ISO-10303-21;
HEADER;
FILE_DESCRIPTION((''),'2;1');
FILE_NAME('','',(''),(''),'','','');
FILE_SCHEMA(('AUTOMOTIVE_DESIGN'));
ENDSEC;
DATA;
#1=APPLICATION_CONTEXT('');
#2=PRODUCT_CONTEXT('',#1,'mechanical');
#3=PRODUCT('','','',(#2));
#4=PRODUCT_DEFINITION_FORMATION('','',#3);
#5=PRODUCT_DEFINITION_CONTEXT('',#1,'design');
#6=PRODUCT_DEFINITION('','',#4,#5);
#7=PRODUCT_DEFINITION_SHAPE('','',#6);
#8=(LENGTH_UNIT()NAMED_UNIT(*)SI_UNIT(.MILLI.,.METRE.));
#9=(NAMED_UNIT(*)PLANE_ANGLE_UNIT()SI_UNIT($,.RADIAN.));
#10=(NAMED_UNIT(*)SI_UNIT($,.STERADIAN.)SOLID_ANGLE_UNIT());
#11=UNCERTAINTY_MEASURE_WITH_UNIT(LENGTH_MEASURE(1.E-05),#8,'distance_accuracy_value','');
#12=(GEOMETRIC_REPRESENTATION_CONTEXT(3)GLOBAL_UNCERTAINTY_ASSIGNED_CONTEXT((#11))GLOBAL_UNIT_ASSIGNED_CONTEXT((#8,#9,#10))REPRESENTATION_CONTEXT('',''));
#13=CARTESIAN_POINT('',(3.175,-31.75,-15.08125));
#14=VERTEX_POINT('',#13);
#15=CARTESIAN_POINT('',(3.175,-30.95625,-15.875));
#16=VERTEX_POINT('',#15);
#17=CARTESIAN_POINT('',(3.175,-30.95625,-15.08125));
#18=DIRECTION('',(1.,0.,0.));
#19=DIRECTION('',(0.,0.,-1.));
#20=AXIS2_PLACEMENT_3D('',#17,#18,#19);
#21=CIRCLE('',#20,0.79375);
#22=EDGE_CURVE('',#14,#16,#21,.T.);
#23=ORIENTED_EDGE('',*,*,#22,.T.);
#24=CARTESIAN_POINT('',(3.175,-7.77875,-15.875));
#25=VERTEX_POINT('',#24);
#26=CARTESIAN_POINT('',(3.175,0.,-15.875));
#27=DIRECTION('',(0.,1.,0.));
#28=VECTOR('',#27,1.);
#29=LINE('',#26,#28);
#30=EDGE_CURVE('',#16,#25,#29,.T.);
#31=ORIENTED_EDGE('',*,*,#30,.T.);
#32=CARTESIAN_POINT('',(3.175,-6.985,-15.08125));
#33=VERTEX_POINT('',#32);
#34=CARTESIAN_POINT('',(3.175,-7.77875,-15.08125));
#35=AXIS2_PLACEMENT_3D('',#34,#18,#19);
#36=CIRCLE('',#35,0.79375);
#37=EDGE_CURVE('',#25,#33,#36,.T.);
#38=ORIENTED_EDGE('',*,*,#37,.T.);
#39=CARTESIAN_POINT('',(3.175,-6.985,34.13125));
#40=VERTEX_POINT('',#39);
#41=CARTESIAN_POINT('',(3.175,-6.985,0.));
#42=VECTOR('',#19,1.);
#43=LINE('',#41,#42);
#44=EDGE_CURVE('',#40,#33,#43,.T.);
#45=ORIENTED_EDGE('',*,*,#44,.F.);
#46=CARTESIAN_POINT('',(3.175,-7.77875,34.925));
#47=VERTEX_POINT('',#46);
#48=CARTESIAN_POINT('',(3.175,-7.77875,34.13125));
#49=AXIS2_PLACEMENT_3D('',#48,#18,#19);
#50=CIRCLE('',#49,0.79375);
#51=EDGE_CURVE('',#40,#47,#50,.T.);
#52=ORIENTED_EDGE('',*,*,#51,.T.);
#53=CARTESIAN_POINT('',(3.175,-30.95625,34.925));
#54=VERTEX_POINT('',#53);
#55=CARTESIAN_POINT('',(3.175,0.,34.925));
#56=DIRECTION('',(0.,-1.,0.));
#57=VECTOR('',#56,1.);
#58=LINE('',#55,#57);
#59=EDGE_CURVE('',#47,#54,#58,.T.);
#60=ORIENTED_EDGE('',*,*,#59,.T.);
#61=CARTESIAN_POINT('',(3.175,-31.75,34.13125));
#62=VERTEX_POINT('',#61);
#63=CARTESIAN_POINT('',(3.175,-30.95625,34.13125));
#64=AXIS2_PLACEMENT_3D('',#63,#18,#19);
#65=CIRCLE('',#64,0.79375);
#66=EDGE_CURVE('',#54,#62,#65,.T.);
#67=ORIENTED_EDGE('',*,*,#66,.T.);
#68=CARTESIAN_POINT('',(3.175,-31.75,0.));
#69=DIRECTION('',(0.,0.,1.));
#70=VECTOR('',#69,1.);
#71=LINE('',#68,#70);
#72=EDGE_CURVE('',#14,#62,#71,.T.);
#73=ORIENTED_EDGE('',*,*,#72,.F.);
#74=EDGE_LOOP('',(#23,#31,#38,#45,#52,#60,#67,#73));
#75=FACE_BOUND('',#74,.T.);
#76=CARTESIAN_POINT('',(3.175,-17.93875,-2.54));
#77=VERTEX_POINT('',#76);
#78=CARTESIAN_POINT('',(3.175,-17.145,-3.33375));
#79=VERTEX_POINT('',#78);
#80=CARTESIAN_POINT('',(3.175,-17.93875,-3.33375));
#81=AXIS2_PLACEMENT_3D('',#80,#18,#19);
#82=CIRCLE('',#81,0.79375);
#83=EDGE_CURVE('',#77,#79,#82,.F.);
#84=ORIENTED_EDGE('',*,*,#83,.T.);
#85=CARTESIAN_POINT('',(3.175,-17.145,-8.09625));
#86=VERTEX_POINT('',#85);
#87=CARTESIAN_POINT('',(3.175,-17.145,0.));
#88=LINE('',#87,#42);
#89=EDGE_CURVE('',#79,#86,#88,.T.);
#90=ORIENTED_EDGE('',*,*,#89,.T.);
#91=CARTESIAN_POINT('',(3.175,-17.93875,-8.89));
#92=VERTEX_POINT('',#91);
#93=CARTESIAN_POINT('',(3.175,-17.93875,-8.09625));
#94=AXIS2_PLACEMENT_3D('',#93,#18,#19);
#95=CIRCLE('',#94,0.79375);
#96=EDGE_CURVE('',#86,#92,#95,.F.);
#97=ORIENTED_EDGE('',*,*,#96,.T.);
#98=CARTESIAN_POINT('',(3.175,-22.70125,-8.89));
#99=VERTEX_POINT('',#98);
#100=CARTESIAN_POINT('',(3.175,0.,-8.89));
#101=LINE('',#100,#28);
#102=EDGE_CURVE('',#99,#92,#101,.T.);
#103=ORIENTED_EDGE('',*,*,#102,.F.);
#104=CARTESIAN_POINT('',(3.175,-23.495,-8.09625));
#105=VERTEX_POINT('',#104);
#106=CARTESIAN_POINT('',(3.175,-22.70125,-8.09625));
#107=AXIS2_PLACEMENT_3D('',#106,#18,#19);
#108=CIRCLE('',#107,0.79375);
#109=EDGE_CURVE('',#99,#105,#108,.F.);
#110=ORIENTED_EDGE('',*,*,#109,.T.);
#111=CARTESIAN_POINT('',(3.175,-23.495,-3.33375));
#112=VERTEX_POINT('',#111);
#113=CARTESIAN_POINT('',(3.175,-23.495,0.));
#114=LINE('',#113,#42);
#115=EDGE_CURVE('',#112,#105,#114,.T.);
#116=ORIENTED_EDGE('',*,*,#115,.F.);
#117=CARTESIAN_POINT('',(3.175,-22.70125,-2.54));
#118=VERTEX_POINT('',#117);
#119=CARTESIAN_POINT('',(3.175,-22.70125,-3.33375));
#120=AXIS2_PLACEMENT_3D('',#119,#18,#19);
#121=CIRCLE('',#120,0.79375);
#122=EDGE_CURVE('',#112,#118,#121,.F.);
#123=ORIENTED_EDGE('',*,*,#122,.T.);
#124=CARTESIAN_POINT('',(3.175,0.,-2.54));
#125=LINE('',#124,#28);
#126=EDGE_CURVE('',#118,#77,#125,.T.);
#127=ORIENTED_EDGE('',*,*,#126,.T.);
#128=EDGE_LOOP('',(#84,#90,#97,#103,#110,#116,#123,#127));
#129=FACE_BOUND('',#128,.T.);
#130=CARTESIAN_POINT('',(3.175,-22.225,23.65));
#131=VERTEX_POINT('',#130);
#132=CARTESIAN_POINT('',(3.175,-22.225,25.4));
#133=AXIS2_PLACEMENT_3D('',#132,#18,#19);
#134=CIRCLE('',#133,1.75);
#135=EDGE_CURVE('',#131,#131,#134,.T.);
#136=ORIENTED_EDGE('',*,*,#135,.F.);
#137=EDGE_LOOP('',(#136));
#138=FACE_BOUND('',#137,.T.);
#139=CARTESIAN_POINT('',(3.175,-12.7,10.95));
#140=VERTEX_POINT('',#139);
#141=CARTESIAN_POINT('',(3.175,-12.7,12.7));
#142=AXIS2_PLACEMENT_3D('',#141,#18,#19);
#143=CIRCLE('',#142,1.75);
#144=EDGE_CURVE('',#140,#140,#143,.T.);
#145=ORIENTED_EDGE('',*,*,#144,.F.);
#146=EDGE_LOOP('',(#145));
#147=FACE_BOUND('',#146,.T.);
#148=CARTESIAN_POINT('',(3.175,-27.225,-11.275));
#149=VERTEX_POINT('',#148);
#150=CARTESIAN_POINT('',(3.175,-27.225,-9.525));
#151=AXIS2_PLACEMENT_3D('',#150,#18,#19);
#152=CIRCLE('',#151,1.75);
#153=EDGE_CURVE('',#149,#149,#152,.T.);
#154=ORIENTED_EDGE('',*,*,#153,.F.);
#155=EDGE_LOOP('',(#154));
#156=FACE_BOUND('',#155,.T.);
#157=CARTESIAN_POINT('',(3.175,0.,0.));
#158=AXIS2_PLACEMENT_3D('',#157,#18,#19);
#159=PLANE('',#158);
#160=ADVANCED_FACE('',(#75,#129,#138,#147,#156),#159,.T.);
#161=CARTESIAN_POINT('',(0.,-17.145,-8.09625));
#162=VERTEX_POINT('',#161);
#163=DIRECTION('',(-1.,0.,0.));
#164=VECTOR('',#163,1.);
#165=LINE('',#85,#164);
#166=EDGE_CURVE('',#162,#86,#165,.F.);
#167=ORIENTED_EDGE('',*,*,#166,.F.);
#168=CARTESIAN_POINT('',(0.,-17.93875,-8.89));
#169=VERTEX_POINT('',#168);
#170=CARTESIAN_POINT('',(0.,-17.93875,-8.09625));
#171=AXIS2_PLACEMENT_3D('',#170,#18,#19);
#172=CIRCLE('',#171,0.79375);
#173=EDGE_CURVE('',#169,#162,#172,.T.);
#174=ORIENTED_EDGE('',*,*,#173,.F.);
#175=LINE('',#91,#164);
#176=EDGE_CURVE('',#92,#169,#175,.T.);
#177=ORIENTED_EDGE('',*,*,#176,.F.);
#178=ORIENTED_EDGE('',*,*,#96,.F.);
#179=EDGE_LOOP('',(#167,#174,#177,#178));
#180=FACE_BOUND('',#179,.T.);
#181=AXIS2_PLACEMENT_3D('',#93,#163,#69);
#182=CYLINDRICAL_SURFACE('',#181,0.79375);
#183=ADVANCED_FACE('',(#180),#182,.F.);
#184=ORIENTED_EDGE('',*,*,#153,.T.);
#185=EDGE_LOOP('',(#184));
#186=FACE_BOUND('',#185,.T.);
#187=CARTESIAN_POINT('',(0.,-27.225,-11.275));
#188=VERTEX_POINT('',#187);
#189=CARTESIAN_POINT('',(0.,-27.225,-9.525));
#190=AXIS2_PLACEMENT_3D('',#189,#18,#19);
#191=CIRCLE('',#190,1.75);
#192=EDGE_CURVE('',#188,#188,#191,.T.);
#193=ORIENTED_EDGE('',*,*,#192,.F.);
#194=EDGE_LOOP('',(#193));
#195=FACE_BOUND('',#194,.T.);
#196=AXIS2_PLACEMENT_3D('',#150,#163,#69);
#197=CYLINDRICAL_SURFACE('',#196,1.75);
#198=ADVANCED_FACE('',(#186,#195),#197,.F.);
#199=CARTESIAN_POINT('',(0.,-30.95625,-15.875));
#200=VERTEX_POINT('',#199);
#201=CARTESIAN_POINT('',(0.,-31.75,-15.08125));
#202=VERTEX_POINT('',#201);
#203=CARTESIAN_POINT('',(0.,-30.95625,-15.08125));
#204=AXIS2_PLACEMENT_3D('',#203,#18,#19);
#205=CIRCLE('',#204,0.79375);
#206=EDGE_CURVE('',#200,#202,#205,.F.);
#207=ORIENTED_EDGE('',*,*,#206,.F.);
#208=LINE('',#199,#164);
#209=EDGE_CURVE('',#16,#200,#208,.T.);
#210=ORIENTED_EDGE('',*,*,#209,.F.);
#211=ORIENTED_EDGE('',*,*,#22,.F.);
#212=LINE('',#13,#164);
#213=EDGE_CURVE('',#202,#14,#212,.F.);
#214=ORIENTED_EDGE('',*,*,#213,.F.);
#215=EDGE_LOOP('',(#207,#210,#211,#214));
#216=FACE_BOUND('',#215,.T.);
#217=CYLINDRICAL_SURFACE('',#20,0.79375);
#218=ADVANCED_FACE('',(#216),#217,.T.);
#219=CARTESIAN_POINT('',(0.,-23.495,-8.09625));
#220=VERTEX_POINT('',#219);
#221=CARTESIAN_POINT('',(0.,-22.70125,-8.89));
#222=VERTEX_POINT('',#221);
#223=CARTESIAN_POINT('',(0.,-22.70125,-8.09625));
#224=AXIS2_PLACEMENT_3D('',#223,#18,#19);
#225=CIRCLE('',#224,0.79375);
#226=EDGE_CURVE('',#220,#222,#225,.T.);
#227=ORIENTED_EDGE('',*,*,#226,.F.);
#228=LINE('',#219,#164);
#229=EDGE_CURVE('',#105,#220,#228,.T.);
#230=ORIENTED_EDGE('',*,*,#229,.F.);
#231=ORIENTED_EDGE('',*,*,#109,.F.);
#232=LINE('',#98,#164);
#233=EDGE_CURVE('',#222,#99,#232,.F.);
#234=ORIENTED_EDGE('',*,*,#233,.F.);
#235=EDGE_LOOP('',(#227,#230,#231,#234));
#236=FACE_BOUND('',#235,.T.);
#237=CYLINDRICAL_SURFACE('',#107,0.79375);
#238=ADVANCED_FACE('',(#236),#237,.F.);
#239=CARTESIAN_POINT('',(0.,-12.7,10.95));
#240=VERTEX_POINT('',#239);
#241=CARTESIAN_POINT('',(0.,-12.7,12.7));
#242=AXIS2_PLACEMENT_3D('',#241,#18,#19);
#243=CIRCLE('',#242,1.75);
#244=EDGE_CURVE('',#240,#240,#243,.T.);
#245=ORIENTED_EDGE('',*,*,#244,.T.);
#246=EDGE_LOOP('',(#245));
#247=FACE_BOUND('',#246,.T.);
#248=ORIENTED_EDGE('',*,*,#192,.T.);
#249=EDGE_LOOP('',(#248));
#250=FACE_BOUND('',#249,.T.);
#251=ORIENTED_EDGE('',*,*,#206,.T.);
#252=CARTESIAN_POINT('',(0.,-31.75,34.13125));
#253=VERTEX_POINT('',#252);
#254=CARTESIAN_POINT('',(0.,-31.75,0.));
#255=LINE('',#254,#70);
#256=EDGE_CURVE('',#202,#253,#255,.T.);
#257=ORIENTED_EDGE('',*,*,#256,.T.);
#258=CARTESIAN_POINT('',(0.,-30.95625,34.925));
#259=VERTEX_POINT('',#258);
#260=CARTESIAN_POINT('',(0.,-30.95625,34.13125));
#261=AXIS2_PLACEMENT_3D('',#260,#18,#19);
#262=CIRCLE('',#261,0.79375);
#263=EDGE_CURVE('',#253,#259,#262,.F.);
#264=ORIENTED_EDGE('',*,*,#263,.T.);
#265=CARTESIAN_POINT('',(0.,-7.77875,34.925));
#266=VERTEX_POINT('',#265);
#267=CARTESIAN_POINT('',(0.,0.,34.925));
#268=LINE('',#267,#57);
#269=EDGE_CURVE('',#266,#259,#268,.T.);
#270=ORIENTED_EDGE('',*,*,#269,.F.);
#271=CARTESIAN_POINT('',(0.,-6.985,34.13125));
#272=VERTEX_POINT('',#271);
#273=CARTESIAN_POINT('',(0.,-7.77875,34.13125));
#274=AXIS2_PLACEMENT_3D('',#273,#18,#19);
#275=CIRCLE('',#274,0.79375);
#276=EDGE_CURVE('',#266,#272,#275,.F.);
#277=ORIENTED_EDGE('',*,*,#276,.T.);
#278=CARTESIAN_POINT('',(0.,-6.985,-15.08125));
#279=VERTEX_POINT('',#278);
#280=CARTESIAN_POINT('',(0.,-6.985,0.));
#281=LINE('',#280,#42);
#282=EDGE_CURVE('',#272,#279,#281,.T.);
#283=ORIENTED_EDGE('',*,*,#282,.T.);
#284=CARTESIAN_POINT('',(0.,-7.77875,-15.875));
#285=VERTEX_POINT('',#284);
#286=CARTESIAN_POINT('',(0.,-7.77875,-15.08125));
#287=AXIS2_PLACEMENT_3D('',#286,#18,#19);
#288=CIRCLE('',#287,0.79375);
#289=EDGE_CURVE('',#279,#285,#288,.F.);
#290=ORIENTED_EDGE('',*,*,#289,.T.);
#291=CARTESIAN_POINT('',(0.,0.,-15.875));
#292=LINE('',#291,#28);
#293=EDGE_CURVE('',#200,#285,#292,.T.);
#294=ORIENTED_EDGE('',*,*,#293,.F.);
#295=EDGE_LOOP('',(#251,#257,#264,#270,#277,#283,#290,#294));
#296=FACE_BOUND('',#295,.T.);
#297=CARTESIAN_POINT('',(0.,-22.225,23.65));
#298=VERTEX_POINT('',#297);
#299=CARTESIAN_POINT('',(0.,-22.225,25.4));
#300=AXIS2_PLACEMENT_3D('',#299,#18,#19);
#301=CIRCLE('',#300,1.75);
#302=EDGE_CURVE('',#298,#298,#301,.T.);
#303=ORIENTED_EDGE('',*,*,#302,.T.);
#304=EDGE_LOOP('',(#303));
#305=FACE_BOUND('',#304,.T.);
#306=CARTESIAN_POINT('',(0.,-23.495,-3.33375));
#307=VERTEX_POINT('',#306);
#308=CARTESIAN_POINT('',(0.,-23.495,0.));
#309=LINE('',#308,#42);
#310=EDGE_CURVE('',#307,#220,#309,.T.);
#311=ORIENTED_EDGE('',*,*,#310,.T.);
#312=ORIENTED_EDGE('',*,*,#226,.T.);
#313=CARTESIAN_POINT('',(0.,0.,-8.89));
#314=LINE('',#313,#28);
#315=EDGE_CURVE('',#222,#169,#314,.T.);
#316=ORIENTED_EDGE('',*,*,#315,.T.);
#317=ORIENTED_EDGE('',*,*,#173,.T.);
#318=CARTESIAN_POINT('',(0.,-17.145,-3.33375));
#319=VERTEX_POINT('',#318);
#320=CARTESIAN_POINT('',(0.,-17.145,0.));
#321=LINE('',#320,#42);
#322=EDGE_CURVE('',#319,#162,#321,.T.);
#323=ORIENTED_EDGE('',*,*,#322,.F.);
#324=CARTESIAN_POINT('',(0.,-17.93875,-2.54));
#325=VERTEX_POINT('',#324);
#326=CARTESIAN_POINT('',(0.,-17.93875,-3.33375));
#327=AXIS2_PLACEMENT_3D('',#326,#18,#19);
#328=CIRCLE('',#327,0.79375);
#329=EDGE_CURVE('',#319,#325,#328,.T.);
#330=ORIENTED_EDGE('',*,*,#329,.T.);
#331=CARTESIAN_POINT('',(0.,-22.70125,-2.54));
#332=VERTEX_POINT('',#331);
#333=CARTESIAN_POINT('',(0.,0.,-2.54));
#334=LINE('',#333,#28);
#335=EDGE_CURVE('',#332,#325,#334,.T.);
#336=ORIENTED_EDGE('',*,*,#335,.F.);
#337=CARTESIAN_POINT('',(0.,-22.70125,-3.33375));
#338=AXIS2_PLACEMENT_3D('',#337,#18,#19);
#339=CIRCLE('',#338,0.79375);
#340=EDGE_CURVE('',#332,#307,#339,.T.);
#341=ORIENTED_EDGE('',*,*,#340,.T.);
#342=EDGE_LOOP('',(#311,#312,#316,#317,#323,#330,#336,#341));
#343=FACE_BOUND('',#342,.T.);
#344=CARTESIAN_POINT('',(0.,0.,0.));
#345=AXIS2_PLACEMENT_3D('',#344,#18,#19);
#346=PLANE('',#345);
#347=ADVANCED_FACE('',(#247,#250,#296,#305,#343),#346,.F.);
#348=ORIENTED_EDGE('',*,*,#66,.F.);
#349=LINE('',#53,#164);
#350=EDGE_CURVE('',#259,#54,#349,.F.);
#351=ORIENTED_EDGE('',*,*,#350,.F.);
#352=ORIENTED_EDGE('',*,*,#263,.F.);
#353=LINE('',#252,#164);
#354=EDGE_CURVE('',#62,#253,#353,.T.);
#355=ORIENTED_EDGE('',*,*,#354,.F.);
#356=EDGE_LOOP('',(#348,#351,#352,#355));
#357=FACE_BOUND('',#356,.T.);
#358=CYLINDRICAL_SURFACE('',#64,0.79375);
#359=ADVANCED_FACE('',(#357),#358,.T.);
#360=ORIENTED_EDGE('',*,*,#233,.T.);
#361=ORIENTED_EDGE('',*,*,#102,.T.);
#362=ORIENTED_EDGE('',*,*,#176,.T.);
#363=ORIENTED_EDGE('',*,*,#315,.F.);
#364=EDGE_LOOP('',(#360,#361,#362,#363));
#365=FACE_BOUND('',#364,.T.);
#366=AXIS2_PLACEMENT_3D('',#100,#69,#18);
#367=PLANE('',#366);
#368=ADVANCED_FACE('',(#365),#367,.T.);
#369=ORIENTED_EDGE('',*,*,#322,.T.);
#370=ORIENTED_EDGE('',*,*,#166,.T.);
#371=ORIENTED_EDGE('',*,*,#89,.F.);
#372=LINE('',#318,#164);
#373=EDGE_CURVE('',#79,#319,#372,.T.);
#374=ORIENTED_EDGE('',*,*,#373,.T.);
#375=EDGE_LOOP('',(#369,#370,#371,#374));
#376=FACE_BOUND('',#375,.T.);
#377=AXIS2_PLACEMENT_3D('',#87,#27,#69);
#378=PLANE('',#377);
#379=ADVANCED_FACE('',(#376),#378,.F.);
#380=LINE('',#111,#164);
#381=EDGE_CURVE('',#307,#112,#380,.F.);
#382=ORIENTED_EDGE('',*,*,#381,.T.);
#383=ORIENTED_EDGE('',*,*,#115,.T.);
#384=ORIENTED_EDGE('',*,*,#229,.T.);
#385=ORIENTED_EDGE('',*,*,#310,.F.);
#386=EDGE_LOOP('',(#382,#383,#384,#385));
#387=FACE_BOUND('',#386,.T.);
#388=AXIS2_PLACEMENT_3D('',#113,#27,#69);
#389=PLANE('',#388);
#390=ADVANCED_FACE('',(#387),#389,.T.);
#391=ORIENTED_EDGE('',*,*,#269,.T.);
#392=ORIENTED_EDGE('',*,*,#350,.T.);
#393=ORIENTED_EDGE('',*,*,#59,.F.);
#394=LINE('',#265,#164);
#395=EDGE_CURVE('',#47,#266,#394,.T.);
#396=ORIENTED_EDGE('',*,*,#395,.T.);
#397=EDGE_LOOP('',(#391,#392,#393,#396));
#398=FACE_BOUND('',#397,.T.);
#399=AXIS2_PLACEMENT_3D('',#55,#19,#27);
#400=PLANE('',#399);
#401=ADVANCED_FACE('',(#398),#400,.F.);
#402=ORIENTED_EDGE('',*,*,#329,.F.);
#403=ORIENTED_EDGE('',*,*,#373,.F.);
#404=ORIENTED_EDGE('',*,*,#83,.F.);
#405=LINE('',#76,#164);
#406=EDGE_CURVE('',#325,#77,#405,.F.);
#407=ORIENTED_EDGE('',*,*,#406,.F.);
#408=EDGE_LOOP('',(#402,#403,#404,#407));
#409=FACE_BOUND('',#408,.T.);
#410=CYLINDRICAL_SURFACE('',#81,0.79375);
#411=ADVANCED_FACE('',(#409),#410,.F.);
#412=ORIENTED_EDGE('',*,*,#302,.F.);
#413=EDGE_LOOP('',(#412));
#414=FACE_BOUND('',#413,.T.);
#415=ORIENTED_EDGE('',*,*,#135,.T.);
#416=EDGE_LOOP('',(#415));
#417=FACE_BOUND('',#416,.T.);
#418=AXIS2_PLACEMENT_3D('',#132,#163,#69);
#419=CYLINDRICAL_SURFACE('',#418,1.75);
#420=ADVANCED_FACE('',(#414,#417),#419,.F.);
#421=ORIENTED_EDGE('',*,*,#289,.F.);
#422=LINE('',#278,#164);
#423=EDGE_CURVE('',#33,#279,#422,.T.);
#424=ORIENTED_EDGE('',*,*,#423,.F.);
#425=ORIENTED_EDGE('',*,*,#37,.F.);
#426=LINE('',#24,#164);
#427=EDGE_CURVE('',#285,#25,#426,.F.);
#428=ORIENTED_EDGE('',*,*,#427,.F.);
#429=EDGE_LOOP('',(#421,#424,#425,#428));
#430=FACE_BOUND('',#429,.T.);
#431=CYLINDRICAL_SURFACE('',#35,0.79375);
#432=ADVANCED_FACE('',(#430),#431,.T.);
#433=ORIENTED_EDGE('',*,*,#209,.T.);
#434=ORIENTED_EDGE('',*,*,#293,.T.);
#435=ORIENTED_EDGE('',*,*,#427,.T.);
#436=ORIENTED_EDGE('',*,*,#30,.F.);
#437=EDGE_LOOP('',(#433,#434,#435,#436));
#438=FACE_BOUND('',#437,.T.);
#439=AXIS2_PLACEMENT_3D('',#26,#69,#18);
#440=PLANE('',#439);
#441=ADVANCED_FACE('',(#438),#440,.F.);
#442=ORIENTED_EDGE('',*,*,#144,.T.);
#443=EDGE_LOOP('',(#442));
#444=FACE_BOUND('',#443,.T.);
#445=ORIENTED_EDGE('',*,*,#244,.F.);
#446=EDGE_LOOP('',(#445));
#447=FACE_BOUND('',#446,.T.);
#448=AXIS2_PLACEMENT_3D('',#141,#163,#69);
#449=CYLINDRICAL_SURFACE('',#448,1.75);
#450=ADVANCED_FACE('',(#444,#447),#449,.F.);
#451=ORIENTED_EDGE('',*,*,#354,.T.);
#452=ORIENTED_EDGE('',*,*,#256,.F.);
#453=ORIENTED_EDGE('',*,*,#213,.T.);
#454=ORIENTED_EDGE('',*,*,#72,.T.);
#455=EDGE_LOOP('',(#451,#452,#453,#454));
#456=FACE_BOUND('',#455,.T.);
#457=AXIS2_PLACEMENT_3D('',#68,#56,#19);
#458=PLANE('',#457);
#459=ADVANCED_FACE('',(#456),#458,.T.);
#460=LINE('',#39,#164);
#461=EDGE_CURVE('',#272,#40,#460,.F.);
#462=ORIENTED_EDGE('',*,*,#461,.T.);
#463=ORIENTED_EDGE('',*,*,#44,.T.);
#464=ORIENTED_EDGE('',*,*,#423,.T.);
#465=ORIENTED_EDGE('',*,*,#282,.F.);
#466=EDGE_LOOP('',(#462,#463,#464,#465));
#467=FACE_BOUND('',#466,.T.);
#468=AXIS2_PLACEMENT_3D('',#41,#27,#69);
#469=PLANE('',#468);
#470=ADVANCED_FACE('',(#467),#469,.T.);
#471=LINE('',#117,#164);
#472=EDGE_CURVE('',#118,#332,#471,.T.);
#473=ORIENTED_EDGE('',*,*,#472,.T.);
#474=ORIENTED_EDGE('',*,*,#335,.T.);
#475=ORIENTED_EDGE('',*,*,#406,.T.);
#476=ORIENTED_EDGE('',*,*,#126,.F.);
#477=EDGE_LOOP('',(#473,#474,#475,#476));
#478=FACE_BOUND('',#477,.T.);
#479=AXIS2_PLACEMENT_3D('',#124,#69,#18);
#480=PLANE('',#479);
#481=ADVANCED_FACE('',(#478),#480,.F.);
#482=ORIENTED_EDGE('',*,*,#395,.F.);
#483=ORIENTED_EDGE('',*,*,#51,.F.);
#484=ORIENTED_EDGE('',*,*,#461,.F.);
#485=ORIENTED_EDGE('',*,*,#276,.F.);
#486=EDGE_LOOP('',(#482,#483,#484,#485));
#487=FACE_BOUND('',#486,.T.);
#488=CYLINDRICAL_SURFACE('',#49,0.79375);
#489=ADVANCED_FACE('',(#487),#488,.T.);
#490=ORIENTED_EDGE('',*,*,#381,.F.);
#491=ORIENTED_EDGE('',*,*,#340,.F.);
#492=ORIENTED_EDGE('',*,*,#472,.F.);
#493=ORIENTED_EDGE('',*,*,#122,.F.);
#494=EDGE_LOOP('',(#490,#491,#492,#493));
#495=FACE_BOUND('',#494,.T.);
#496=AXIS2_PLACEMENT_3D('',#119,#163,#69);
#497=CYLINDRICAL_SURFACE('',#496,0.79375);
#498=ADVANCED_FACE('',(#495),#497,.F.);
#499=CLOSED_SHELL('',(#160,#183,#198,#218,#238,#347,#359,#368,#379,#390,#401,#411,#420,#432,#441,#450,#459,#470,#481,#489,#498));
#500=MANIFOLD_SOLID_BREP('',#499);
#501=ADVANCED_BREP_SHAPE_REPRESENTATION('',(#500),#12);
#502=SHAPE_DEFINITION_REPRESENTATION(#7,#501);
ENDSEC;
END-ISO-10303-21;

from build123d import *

# Parameters (mm, degrees)
SKETCH1_W           = 24.765
SKETCH1_H           = 50.8
SKETCH1_R           = 1.75
SKETCH1_W_2         = 6.35
SKETCH1_H_2         = 6.35
BOSS_EXTRUDE1_DEPTH = 3.175
FILLET1_R           = 0.79375


with BuildPart() as part:
    # Sketch1 → Boss-Extrude1 (new body)
    with BuildSketch(Plane.YZ):
        with Locations((-19.3675, 9.525)):
            Rectangle(SKETCH1_W, SKETCH1_H)
        with Locations(Location((-27.225, -9.525, 0), (0, 0, 270))):
            Circle(SKETCH1_R, mode=Mode.SUBTRACT)
        with Locations((-20.32, -5.715)):
            Rectangle(SKETCH1_W_2, SKETCH1_H_2, mode=Mode.SUBTRACT)
        with Locations(Location((-12.7, 12.7, 0), (0, 0, 270))):
            Circle(SKETCH1_R, mode=Mode.SUBTRACT)
        with Locations(Location((-22.225, 25.4, 0), (0, 0, 270))):
            Circle(SKETCH1_R, mode=Mode.SUBTRACT)
    extrude(amount=BOSS_EXTRUDE1_DEPTH)

    # Fillet1
    fillet1_edges = [part.edges().sort_by_distance(p)[0] for p in [
        (1.5875, -23.495, -2.54),
        (1.5875, -23.495, -8.89),
        (1.5875, -17.145, -8.89),
        (1.5875, -17.145, -2.54),
        (1.5875, -6.985, -15.875),
        (1.5875, -31.75, -15.875),
        (1.5875, -31.75, 34.925),
        (1.5875, -6.985, 34.925),
    ]]
    fillet(fillet1_edges, radius=FILLET1_R)


solid = part.part
